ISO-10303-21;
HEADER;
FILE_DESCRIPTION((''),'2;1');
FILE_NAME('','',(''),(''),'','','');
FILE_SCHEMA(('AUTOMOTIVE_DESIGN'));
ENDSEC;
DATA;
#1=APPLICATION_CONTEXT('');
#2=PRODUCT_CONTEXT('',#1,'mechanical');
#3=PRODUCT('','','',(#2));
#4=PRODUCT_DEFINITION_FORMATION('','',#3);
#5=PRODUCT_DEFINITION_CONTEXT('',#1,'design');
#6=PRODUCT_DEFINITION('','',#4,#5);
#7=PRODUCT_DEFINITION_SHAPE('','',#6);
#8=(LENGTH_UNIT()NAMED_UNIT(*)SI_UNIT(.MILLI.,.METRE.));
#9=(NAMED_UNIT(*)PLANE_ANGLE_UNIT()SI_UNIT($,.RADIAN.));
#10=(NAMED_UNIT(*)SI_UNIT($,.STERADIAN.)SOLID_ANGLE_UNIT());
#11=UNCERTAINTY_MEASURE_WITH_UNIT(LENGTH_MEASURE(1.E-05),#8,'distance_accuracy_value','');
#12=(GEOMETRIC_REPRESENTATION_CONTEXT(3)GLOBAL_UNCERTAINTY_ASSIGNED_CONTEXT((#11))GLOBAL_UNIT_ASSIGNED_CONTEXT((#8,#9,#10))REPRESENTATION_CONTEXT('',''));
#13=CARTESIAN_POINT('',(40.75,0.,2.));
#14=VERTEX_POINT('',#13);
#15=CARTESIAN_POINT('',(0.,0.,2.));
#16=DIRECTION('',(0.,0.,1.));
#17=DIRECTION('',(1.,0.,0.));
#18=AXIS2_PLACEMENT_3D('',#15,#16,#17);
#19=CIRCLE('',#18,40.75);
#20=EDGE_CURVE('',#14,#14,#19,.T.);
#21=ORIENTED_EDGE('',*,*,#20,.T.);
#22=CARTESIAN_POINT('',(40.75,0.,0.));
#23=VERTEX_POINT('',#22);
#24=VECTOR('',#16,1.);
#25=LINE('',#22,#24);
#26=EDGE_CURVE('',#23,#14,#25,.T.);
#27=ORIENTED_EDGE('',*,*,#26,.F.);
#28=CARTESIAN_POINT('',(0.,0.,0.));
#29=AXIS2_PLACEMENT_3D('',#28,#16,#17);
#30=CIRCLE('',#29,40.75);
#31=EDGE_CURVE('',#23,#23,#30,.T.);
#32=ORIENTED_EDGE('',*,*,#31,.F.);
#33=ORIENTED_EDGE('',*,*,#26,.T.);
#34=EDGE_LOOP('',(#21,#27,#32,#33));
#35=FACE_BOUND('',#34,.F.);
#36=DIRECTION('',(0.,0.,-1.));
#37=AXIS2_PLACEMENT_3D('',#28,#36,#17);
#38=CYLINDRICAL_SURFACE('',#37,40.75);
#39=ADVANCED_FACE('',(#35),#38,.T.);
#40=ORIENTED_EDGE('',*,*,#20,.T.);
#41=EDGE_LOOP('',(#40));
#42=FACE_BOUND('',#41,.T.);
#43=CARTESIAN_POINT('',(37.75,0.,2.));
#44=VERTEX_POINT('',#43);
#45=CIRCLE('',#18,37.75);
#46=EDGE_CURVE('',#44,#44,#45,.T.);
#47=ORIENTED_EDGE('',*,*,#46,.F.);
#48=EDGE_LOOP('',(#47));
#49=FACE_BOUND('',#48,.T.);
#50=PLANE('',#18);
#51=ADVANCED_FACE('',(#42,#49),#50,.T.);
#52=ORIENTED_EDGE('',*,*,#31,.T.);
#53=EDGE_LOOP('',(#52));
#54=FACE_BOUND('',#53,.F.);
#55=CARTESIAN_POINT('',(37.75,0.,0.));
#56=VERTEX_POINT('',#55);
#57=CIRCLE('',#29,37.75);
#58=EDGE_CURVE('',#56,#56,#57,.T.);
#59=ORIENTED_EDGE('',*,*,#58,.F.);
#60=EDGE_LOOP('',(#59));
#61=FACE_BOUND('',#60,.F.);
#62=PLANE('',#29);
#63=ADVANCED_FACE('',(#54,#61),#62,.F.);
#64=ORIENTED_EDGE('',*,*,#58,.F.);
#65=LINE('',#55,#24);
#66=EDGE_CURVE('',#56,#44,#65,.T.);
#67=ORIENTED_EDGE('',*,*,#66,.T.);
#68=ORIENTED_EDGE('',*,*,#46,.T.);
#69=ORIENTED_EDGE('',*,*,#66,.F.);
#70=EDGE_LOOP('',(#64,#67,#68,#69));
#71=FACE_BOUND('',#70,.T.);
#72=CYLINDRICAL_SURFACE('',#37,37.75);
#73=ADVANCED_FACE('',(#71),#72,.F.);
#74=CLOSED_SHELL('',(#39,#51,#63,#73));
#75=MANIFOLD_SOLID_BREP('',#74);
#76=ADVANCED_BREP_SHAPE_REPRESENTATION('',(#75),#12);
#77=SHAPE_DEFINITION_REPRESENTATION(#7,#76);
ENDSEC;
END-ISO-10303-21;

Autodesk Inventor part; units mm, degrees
ref_plane "YZ Plane" through (0, 0, 0) normal (1, 0, 0) x (0, 1, 0)
ref_plane "XZ Plane" through (0, 0, 0) normal (0, 1, 0) x (-1, 0, 0)
ref_plane "XY Plane" through (0, 0, 0) normal (0, 0, 1) x (1, 0, 0)
sketch "Sketch2" plane through (0, 0, 0) normal (0, 0, 1) x (1, 0, 0)
  circle A0 centre (0, 0) radius 37.75
  circle A1 centre (0, 0) radius 40.75
  dimension "d7" = 75.5
  dimension "d8" = 3
extrude "Extrusion1" add sketch "Sketch2" along normal blind 2
properties part number "HD_GapFillSpacer"
